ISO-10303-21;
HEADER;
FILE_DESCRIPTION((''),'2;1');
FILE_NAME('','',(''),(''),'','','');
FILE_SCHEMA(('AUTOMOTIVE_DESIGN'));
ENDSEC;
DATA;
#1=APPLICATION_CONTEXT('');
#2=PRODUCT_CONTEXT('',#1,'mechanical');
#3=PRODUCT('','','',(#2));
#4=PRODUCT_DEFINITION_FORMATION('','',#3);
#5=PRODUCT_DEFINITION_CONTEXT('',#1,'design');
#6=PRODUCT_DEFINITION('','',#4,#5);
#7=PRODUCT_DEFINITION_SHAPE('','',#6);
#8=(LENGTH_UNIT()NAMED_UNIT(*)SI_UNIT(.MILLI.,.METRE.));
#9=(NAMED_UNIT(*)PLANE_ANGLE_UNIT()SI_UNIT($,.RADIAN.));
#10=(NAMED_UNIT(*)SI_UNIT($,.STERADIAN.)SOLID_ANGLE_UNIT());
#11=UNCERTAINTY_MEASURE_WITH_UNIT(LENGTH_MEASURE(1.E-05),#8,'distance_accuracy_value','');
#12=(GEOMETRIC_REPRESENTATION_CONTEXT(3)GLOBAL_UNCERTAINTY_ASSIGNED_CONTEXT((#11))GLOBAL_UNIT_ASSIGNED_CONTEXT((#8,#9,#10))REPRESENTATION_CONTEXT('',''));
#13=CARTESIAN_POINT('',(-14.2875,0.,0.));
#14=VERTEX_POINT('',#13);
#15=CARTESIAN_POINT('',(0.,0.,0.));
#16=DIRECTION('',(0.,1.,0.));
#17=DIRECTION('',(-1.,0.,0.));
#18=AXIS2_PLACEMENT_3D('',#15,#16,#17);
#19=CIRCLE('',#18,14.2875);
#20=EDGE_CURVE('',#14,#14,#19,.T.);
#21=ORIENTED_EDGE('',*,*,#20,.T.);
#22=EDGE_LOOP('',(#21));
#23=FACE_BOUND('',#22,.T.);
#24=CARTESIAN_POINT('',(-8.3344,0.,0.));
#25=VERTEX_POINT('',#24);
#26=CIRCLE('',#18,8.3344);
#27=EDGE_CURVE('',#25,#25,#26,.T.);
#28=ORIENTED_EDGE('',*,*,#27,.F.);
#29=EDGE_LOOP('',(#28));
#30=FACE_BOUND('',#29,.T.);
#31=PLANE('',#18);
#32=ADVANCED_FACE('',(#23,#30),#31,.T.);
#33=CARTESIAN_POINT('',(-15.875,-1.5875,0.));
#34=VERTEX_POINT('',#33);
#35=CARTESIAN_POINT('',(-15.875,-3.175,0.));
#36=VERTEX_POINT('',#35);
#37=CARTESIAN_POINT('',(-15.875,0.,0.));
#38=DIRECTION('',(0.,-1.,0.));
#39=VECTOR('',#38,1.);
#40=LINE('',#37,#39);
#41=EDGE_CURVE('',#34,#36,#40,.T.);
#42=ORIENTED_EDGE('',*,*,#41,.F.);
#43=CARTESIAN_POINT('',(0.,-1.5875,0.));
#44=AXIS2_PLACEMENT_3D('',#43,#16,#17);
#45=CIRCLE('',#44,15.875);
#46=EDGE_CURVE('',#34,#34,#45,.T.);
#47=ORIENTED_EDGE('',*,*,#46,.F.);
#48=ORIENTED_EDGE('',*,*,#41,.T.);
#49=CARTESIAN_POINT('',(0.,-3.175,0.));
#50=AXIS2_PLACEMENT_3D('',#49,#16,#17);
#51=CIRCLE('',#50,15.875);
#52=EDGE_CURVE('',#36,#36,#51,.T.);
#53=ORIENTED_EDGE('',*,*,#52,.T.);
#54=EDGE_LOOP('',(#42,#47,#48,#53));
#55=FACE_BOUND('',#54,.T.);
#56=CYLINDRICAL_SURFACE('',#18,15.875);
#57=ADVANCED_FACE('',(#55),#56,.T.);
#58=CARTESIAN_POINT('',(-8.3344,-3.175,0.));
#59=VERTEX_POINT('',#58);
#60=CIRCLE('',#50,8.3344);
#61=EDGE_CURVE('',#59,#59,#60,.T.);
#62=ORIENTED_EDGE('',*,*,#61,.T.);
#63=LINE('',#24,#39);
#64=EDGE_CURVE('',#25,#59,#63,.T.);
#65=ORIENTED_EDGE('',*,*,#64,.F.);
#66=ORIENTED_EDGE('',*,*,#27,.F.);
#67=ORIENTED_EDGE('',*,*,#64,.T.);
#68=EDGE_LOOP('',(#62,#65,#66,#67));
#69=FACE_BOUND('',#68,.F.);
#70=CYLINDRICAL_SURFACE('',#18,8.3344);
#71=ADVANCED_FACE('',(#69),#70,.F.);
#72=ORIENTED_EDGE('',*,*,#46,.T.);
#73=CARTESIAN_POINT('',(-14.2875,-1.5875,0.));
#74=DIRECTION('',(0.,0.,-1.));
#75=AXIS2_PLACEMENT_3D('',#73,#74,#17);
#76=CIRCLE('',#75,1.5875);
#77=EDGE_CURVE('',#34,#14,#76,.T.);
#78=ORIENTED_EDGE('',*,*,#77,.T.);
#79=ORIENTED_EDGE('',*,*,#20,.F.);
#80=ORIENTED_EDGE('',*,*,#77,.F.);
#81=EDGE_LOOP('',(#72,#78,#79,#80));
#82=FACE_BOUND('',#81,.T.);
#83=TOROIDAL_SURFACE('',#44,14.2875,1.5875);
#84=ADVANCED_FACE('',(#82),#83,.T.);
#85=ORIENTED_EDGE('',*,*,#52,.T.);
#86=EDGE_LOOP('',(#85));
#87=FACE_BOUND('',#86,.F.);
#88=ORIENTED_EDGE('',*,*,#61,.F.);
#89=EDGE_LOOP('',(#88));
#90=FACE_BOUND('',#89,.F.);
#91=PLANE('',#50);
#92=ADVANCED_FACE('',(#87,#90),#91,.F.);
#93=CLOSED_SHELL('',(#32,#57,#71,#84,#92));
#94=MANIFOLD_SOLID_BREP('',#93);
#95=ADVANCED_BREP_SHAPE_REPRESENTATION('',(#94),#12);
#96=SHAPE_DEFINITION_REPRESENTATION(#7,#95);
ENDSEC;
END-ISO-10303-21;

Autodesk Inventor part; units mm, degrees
ref_plane "YZ Plane" through (0, 0, 0) normal (1, 0, 0) x (0, 1, 0)
ref_plane "XZ Plane" through (0, 0, 0) normal (0, 1, 0) x (-1, 0, 0)
ref_plane "XY Plane" through (0, 0, 0) normal (0, 0, 1) x (1, 0, 0)
sketch "Sketch1" plane through (0, 0, 0) normal (0, 1, 0) x (-1, 0, 0)
  circle A0 centre (0, 0) radius 15.875
  circle A1 centre (0, 0) radius 8.3344
  dimension "d0" = 31.75
  dimension "d1" = 16.6687
extrude "Extrusion1" add sketch "Sketch1" against normal blind 3.175
fillet "Fillet2" radius 1.5875 1 edges at (15.875, 0, 0)
properties part number "Arandela" material "Steel AISI 1020 108 ANLD"
